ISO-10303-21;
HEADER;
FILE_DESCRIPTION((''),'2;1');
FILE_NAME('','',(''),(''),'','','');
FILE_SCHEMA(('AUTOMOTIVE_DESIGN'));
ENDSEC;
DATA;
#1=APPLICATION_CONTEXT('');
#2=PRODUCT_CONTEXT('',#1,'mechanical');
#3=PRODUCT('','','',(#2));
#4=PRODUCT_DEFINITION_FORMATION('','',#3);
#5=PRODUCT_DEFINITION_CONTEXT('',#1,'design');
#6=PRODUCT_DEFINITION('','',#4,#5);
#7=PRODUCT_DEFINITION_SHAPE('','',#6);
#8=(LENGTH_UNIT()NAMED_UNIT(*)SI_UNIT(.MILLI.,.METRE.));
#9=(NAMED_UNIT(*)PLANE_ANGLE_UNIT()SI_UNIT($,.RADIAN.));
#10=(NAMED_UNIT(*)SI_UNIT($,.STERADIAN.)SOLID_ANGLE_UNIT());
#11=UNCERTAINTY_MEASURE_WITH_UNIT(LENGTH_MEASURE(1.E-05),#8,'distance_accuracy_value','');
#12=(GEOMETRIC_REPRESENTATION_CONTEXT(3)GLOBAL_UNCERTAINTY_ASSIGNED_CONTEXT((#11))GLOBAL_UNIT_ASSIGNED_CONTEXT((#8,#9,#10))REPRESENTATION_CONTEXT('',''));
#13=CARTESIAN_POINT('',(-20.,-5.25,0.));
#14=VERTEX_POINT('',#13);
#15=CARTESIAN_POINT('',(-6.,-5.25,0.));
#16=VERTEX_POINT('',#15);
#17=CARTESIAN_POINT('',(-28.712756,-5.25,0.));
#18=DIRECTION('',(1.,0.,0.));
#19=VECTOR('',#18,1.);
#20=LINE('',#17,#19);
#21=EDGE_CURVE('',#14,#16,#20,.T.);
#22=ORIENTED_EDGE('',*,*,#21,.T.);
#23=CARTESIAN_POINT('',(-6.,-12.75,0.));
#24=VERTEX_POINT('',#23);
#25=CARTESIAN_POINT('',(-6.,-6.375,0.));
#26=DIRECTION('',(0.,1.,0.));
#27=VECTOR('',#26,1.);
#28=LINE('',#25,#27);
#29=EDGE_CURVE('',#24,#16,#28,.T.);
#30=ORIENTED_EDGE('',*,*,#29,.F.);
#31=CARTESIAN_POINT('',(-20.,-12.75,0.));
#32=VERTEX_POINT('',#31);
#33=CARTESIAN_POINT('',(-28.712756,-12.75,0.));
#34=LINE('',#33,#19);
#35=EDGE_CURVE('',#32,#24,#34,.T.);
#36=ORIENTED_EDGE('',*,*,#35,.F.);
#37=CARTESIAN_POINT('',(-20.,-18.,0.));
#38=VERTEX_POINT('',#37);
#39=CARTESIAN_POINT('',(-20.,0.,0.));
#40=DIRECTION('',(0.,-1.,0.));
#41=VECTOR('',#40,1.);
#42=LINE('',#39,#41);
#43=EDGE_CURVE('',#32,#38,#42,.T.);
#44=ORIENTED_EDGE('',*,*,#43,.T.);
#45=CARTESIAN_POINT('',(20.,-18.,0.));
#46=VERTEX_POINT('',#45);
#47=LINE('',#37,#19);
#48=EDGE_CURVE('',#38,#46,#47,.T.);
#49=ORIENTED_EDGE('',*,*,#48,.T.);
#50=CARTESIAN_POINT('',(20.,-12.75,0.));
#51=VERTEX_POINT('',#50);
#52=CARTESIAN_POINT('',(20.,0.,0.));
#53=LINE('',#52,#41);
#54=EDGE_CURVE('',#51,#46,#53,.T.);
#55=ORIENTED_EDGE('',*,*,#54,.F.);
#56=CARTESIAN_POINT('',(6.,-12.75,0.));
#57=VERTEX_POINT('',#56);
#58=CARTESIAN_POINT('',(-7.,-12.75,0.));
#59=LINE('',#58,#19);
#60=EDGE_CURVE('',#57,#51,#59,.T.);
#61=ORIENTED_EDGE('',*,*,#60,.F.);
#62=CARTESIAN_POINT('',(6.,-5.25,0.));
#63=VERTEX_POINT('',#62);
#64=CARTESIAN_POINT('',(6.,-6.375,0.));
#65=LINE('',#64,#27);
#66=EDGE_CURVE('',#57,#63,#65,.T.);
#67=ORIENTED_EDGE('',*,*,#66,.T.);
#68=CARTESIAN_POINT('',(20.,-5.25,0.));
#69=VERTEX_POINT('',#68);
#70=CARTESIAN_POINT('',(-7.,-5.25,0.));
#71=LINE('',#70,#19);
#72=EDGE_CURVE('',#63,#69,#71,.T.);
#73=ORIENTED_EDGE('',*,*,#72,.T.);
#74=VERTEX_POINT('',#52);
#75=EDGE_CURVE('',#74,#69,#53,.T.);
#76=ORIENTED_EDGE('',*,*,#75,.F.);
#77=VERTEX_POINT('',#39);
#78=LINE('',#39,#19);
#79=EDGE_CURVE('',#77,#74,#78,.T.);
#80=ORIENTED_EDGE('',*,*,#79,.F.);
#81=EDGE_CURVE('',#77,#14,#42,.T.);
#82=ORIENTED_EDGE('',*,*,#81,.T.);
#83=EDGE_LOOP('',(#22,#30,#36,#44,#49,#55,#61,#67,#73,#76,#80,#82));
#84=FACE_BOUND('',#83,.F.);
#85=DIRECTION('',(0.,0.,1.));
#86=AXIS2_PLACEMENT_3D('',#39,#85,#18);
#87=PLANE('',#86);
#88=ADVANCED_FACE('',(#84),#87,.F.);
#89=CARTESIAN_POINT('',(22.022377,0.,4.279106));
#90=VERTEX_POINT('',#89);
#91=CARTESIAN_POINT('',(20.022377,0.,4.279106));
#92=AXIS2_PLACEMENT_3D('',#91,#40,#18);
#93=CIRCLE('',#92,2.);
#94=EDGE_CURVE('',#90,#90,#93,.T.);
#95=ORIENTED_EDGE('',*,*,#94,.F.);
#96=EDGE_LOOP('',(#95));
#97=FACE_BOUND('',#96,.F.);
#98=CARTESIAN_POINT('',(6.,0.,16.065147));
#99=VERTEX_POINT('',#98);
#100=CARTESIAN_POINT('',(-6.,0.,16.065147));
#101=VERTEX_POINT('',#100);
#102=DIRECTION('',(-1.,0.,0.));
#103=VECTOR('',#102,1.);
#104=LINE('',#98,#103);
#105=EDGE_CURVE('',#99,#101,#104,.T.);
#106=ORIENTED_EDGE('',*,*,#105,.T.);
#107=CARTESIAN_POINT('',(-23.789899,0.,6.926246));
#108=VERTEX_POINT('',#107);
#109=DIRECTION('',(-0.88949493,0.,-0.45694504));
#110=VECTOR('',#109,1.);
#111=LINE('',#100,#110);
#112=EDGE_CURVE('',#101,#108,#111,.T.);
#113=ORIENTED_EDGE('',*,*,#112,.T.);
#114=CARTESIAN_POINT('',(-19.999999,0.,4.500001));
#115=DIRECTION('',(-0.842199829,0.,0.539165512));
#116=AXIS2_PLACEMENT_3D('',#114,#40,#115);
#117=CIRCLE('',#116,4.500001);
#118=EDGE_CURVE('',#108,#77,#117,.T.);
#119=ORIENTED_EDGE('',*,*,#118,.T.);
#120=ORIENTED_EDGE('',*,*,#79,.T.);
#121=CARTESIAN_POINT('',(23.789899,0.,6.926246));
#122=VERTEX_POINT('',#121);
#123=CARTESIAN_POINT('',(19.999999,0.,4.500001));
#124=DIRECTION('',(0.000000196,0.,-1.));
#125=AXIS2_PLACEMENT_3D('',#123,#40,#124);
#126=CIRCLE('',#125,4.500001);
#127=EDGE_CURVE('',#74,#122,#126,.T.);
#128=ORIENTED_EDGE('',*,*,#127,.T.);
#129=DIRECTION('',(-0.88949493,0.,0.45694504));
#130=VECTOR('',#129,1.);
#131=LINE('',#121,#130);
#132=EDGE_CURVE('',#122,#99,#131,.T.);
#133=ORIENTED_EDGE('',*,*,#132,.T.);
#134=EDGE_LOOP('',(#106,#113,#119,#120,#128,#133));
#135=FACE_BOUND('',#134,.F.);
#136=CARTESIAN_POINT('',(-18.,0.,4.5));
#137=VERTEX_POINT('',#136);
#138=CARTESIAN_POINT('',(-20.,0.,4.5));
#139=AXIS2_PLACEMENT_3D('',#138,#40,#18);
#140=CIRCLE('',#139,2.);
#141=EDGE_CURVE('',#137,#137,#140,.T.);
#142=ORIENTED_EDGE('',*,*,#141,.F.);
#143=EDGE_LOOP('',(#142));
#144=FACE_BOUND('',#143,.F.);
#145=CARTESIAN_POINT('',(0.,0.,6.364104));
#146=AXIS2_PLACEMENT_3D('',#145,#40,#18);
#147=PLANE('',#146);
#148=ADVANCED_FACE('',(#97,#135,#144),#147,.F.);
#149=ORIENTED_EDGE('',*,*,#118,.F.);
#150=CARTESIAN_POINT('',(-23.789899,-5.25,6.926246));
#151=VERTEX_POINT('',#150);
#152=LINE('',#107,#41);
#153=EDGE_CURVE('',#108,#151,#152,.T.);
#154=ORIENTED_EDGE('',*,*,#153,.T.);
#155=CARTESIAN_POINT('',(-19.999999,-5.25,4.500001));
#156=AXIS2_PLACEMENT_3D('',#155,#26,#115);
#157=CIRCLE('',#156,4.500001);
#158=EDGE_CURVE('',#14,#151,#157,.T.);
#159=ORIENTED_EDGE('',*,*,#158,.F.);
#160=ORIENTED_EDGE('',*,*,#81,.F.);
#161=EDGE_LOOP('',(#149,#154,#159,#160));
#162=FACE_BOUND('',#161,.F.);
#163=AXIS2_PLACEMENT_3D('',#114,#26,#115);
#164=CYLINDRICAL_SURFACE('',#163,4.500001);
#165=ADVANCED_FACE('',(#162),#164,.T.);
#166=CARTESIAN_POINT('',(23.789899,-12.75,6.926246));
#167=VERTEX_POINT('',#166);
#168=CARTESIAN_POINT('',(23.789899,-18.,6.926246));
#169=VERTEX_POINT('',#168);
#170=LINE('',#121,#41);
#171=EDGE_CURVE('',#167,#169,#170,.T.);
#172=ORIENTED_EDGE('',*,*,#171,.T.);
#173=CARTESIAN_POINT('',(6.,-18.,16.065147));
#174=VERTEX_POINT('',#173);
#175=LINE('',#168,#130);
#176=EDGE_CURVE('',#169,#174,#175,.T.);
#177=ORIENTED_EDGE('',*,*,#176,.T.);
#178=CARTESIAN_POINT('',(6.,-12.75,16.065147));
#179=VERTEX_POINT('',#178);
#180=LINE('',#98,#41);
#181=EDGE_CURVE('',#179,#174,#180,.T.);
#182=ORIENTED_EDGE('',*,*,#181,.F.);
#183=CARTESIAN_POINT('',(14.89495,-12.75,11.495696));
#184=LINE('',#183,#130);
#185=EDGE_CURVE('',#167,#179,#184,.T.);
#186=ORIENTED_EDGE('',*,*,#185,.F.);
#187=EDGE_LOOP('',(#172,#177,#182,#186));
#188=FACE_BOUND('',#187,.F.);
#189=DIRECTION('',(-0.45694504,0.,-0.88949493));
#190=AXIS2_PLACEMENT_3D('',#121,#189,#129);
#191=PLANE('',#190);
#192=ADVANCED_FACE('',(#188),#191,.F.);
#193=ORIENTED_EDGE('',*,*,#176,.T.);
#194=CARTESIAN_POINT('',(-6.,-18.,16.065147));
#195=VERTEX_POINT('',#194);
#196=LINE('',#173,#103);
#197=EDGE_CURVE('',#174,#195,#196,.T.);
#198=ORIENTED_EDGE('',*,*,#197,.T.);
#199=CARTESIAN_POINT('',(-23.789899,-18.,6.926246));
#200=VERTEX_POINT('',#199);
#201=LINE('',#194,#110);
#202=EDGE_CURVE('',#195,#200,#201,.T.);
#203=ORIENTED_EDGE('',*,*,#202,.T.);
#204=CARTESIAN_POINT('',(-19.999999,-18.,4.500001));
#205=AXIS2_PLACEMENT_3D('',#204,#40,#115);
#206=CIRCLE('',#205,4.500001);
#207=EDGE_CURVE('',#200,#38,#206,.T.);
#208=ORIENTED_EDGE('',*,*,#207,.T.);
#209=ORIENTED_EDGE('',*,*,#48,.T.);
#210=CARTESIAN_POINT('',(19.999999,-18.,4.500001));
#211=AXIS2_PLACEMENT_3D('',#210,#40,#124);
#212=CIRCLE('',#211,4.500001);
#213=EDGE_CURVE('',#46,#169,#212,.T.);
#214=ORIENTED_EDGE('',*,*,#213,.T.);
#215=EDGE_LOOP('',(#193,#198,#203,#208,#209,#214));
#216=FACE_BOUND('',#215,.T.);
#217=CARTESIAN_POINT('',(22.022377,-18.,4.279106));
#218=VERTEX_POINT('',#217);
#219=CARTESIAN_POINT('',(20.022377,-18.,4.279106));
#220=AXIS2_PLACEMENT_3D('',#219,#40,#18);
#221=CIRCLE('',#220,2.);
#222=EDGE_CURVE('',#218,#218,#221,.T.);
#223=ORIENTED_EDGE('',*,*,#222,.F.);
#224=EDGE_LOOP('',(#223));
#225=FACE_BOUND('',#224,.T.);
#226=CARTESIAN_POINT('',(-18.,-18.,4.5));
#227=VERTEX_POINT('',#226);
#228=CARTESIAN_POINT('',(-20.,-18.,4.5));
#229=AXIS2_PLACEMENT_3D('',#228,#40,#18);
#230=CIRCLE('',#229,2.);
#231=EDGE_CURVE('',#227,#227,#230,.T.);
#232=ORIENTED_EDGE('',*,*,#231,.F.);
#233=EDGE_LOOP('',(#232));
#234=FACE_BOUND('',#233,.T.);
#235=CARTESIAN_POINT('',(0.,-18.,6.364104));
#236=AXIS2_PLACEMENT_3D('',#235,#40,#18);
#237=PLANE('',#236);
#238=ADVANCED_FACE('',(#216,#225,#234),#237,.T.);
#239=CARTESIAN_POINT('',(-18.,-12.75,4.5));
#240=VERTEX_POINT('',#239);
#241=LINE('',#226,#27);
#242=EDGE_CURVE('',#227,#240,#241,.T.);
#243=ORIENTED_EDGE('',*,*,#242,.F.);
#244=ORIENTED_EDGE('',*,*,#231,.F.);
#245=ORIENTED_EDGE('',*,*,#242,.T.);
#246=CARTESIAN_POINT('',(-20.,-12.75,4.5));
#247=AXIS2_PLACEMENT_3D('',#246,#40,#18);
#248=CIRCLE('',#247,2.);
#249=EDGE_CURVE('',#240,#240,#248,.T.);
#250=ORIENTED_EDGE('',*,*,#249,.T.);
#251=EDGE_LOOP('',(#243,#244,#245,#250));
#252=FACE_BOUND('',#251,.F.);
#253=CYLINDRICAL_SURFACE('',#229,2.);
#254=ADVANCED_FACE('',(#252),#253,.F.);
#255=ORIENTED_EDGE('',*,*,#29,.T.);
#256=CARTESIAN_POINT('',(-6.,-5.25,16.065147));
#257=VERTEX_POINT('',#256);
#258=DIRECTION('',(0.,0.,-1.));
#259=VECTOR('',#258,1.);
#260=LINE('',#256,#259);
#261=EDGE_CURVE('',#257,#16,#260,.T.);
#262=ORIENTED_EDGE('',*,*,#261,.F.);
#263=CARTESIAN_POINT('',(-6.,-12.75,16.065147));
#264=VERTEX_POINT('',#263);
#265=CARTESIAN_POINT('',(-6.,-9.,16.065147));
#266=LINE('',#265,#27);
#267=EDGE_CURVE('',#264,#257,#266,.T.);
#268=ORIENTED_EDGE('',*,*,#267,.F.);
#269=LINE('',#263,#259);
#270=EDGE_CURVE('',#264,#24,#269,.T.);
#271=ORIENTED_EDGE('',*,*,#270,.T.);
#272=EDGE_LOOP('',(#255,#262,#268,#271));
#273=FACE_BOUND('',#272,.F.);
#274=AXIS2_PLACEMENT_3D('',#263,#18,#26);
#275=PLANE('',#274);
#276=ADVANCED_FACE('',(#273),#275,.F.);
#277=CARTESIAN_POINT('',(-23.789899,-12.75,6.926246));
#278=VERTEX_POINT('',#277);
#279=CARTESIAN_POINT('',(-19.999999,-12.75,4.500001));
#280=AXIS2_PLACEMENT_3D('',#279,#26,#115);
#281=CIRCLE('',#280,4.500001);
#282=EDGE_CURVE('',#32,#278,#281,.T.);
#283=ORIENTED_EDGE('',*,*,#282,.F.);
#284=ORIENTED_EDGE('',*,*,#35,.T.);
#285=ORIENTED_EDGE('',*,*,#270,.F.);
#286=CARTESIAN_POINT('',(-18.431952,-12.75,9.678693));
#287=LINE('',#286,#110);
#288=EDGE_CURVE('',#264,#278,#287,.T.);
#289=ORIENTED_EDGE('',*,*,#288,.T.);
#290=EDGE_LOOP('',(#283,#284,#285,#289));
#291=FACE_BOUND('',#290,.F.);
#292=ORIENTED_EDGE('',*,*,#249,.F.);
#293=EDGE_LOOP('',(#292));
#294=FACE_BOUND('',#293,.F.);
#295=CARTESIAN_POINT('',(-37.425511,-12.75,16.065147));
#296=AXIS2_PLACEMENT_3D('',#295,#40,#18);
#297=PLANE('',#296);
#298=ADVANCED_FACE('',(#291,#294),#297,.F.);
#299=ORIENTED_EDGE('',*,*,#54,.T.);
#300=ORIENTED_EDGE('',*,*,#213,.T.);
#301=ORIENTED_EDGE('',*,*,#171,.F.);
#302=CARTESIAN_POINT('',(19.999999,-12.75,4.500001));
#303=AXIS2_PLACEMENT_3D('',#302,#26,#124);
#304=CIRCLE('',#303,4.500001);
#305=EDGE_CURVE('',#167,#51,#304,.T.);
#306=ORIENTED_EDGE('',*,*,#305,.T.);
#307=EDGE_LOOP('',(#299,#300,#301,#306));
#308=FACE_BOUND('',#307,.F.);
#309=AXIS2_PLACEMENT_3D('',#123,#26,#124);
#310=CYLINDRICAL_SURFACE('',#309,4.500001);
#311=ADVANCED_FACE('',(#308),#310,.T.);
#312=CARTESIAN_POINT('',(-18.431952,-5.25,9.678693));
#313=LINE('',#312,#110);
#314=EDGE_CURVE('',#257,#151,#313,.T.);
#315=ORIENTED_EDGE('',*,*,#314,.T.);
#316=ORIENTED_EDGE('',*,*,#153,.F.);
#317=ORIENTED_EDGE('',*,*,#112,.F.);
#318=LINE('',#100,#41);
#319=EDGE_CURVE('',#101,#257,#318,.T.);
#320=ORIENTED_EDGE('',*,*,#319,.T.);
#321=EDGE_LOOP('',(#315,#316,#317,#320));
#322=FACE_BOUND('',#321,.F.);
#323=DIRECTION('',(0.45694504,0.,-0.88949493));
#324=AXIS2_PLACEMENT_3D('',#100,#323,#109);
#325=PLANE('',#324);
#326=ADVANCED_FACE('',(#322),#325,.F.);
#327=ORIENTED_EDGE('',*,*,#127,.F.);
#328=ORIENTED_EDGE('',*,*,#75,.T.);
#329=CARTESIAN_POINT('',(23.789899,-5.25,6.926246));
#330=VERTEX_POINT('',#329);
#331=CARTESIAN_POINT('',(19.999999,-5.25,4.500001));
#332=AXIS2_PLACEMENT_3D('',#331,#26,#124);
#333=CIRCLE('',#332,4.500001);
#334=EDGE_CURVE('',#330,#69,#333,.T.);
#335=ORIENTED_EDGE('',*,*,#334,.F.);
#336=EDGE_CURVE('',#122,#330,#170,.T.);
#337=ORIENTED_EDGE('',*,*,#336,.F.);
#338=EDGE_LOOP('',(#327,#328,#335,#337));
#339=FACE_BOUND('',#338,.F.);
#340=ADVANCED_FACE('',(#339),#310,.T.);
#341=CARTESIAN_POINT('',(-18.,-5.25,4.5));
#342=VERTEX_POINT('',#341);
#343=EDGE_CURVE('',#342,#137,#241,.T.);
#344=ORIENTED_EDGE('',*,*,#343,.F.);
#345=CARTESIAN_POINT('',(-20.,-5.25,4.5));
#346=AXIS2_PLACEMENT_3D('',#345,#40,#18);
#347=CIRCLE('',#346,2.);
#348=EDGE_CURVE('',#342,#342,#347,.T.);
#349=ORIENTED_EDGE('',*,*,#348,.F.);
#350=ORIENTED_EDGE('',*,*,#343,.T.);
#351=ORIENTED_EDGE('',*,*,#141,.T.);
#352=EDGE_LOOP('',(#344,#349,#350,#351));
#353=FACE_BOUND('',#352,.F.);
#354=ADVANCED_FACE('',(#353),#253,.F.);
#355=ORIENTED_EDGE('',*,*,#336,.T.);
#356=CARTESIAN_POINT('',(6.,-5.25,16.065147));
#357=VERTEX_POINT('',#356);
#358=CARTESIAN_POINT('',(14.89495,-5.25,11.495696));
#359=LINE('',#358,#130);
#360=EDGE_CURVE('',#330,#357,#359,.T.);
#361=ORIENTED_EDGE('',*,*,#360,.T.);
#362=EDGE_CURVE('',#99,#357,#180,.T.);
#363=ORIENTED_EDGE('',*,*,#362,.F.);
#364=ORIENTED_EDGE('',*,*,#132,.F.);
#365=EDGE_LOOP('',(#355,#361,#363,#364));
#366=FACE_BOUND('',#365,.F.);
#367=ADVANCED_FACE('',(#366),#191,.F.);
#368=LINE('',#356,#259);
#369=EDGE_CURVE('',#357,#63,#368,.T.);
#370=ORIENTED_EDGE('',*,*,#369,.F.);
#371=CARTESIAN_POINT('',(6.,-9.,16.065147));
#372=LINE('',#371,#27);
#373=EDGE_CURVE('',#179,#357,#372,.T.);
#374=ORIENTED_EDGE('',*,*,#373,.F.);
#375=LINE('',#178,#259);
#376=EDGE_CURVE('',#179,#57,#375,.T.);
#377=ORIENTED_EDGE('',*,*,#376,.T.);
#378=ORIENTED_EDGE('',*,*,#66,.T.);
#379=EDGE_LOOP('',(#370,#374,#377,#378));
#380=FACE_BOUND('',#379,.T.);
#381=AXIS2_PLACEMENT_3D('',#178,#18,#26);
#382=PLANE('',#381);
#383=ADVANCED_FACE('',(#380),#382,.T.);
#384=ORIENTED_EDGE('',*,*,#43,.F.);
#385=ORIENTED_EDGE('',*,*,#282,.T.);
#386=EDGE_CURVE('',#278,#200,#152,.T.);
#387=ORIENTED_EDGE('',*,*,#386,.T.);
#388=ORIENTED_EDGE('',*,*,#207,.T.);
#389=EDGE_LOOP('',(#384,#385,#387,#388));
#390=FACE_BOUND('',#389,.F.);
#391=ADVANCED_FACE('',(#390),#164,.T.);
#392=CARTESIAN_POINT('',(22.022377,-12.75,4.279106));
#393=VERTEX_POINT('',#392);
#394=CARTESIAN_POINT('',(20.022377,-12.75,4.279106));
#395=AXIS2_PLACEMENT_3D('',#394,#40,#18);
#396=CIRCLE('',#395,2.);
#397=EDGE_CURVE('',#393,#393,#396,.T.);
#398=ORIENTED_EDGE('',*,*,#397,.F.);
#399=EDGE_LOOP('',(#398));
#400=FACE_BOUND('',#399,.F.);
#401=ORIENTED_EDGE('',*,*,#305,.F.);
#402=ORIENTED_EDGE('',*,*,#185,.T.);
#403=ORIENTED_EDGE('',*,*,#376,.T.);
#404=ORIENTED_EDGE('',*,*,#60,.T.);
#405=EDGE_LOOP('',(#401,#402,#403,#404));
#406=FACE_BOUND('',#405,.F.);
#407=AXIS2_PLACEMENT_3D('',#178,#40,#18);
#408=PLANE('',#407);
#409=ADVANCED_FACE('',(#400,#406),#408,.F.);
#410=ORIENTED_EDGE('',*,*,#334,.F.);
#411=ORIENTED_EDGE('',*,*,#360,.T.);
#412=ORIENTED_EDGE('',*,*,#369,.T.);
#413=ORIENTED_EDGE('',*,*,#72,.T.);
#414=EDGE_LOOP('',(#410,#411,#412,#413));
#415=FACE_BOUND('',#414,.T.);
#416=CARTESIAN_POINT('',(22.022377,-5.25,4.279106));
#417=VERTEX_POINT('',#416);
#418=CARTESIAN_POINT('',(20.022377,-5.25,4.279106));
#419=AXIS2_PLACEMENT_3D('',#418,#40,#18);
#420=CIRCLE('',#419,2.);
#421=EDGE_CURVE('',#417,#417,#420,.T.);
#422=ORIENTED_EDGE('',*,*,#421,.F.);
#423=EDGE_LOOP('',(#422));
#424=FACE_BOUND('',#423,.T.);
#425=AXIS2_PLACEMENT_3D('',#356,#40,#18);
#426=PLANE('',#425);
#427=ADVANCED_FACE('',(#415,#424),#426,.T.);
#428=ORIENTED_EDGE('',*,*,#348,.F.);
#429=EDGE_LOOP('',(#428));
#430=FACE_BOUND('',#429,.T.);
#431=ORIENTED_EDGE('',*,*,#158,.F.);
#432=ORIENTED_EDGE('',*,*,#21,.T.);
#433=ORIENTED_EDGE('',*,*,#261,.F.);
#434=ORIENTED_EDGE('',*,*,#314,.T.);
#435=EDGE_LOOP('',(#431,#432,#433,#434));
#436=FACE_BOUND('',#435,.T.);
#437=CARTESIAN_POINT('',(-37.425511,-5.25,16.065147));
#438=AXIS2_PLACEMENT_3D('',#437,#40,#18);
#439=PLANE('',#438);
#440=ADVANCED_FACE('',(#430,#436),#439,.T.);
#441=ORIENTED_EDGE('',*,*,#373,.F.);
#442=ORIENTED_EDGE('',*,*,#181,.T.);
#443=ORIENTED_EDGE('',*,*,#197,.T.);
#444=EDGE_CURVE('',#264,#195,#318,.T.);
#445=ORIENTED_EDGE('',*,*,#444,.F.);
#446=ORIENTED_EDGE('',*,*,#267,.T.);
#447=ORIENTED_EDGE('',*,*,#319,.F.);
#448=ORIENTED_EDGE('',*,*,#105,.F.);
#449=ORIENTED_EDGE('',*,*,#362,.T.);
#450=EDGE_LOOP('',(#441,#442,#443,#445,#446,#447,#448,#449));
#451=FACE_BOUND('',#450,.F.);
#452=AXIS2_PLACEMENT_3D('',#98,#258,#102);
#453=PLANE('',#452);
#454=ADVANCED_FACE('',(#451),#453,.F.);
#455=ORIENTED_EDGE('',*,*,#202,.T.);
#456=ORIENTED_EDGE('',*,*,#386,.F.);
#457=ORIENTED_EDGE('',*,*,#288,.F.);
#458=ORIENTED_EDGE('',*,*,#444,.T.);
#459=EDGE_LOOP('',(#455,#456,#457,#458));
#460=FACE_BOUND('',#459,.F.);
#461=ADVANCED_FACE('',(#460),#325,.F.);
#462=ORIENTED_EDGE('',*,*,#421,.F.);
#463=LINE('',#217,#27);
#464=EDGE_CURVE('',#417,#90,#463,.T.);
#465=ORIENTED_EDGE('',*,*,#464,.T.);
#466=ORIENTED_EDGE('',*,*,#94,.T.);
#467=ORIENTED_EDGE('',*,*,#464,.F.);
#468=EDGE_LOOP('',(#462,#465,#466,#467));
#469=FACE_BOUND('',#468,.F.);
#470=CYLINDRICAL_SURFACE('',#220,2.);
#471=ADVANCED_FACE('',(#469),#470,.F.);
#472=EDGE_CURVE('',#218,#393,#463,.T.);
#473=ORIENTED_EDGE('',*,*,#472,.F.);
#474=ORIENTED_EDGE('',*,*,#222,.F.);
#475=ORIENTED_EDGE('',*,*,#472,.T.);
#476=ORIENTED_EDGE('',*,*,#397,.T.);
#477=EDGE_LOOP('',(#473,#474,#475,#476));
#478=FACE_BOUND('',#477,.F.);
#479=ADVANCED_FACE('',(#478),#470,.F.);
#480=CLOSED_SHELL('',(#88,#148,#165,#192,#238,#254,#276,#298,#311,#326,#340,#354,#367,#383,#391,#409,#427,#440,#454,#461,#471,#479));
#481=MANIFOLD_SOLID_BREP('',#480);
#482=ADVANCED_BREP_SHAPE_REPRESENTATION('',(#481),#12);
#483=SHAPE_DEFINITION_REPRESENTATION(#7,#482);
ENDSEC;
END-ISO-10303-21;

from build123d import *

# Parameters (mm, degrees)
F1_DEPTH = 18
F2_W     = 31.425511
F2_H     = 7.5
F3_DEPTH = 25
F4_R     = 2
F5_DEPTH = 25


with BuildPart() as f1:
    # F0 (on Front) → F1 (new body)
    with BuildSketch(Plane.XZ):
        with BuildLine():
            Line((-20, 0), (0, 0))
            Line((0, 0), (20, 0))
            ThreePointArc((20, 0), (23.947664, 2.33992), (23.789899, 6.926246))
            Line((23.789899, 6.926246), (6, 16.065147))
            Line((6, 16.065147), (-6, 16.065147))
            Line((-6, 16.065147), (-23.789899, 6.926246))
            ThreePointArc((-23.789899, 6.926246), (-23.947664, 2.33992), (-20, 0))
        make_face()
    extrude(amount=F1_DEPTH)

    # F2 (on face) → F3 (cut)
    with BuildSketch(Plane.XY.offset(16.065147)):
        with Locations((-21.712756, -9)):
            Rectangle(F2_W, F2_H)
        with Locations((21.712756, -9)):
            Rectangle(F2_W, F2_H)
    extrude(amount=-F3_DEPTH, mode=Mode.SUBTRACT)

    # F4 (on face) → F5 (cut)
    with BuildSketch(Plane.XZ.offset(18)):
        with Locations((-20, 4.5)):
            Circle(F4_R)
        with Locations((20.022377, 4.279106)):
            Circle(F4_R)
    extrude(amount=-F5_DEPTH, mode=Mode.SUBTRACT)


solid = f1.part
